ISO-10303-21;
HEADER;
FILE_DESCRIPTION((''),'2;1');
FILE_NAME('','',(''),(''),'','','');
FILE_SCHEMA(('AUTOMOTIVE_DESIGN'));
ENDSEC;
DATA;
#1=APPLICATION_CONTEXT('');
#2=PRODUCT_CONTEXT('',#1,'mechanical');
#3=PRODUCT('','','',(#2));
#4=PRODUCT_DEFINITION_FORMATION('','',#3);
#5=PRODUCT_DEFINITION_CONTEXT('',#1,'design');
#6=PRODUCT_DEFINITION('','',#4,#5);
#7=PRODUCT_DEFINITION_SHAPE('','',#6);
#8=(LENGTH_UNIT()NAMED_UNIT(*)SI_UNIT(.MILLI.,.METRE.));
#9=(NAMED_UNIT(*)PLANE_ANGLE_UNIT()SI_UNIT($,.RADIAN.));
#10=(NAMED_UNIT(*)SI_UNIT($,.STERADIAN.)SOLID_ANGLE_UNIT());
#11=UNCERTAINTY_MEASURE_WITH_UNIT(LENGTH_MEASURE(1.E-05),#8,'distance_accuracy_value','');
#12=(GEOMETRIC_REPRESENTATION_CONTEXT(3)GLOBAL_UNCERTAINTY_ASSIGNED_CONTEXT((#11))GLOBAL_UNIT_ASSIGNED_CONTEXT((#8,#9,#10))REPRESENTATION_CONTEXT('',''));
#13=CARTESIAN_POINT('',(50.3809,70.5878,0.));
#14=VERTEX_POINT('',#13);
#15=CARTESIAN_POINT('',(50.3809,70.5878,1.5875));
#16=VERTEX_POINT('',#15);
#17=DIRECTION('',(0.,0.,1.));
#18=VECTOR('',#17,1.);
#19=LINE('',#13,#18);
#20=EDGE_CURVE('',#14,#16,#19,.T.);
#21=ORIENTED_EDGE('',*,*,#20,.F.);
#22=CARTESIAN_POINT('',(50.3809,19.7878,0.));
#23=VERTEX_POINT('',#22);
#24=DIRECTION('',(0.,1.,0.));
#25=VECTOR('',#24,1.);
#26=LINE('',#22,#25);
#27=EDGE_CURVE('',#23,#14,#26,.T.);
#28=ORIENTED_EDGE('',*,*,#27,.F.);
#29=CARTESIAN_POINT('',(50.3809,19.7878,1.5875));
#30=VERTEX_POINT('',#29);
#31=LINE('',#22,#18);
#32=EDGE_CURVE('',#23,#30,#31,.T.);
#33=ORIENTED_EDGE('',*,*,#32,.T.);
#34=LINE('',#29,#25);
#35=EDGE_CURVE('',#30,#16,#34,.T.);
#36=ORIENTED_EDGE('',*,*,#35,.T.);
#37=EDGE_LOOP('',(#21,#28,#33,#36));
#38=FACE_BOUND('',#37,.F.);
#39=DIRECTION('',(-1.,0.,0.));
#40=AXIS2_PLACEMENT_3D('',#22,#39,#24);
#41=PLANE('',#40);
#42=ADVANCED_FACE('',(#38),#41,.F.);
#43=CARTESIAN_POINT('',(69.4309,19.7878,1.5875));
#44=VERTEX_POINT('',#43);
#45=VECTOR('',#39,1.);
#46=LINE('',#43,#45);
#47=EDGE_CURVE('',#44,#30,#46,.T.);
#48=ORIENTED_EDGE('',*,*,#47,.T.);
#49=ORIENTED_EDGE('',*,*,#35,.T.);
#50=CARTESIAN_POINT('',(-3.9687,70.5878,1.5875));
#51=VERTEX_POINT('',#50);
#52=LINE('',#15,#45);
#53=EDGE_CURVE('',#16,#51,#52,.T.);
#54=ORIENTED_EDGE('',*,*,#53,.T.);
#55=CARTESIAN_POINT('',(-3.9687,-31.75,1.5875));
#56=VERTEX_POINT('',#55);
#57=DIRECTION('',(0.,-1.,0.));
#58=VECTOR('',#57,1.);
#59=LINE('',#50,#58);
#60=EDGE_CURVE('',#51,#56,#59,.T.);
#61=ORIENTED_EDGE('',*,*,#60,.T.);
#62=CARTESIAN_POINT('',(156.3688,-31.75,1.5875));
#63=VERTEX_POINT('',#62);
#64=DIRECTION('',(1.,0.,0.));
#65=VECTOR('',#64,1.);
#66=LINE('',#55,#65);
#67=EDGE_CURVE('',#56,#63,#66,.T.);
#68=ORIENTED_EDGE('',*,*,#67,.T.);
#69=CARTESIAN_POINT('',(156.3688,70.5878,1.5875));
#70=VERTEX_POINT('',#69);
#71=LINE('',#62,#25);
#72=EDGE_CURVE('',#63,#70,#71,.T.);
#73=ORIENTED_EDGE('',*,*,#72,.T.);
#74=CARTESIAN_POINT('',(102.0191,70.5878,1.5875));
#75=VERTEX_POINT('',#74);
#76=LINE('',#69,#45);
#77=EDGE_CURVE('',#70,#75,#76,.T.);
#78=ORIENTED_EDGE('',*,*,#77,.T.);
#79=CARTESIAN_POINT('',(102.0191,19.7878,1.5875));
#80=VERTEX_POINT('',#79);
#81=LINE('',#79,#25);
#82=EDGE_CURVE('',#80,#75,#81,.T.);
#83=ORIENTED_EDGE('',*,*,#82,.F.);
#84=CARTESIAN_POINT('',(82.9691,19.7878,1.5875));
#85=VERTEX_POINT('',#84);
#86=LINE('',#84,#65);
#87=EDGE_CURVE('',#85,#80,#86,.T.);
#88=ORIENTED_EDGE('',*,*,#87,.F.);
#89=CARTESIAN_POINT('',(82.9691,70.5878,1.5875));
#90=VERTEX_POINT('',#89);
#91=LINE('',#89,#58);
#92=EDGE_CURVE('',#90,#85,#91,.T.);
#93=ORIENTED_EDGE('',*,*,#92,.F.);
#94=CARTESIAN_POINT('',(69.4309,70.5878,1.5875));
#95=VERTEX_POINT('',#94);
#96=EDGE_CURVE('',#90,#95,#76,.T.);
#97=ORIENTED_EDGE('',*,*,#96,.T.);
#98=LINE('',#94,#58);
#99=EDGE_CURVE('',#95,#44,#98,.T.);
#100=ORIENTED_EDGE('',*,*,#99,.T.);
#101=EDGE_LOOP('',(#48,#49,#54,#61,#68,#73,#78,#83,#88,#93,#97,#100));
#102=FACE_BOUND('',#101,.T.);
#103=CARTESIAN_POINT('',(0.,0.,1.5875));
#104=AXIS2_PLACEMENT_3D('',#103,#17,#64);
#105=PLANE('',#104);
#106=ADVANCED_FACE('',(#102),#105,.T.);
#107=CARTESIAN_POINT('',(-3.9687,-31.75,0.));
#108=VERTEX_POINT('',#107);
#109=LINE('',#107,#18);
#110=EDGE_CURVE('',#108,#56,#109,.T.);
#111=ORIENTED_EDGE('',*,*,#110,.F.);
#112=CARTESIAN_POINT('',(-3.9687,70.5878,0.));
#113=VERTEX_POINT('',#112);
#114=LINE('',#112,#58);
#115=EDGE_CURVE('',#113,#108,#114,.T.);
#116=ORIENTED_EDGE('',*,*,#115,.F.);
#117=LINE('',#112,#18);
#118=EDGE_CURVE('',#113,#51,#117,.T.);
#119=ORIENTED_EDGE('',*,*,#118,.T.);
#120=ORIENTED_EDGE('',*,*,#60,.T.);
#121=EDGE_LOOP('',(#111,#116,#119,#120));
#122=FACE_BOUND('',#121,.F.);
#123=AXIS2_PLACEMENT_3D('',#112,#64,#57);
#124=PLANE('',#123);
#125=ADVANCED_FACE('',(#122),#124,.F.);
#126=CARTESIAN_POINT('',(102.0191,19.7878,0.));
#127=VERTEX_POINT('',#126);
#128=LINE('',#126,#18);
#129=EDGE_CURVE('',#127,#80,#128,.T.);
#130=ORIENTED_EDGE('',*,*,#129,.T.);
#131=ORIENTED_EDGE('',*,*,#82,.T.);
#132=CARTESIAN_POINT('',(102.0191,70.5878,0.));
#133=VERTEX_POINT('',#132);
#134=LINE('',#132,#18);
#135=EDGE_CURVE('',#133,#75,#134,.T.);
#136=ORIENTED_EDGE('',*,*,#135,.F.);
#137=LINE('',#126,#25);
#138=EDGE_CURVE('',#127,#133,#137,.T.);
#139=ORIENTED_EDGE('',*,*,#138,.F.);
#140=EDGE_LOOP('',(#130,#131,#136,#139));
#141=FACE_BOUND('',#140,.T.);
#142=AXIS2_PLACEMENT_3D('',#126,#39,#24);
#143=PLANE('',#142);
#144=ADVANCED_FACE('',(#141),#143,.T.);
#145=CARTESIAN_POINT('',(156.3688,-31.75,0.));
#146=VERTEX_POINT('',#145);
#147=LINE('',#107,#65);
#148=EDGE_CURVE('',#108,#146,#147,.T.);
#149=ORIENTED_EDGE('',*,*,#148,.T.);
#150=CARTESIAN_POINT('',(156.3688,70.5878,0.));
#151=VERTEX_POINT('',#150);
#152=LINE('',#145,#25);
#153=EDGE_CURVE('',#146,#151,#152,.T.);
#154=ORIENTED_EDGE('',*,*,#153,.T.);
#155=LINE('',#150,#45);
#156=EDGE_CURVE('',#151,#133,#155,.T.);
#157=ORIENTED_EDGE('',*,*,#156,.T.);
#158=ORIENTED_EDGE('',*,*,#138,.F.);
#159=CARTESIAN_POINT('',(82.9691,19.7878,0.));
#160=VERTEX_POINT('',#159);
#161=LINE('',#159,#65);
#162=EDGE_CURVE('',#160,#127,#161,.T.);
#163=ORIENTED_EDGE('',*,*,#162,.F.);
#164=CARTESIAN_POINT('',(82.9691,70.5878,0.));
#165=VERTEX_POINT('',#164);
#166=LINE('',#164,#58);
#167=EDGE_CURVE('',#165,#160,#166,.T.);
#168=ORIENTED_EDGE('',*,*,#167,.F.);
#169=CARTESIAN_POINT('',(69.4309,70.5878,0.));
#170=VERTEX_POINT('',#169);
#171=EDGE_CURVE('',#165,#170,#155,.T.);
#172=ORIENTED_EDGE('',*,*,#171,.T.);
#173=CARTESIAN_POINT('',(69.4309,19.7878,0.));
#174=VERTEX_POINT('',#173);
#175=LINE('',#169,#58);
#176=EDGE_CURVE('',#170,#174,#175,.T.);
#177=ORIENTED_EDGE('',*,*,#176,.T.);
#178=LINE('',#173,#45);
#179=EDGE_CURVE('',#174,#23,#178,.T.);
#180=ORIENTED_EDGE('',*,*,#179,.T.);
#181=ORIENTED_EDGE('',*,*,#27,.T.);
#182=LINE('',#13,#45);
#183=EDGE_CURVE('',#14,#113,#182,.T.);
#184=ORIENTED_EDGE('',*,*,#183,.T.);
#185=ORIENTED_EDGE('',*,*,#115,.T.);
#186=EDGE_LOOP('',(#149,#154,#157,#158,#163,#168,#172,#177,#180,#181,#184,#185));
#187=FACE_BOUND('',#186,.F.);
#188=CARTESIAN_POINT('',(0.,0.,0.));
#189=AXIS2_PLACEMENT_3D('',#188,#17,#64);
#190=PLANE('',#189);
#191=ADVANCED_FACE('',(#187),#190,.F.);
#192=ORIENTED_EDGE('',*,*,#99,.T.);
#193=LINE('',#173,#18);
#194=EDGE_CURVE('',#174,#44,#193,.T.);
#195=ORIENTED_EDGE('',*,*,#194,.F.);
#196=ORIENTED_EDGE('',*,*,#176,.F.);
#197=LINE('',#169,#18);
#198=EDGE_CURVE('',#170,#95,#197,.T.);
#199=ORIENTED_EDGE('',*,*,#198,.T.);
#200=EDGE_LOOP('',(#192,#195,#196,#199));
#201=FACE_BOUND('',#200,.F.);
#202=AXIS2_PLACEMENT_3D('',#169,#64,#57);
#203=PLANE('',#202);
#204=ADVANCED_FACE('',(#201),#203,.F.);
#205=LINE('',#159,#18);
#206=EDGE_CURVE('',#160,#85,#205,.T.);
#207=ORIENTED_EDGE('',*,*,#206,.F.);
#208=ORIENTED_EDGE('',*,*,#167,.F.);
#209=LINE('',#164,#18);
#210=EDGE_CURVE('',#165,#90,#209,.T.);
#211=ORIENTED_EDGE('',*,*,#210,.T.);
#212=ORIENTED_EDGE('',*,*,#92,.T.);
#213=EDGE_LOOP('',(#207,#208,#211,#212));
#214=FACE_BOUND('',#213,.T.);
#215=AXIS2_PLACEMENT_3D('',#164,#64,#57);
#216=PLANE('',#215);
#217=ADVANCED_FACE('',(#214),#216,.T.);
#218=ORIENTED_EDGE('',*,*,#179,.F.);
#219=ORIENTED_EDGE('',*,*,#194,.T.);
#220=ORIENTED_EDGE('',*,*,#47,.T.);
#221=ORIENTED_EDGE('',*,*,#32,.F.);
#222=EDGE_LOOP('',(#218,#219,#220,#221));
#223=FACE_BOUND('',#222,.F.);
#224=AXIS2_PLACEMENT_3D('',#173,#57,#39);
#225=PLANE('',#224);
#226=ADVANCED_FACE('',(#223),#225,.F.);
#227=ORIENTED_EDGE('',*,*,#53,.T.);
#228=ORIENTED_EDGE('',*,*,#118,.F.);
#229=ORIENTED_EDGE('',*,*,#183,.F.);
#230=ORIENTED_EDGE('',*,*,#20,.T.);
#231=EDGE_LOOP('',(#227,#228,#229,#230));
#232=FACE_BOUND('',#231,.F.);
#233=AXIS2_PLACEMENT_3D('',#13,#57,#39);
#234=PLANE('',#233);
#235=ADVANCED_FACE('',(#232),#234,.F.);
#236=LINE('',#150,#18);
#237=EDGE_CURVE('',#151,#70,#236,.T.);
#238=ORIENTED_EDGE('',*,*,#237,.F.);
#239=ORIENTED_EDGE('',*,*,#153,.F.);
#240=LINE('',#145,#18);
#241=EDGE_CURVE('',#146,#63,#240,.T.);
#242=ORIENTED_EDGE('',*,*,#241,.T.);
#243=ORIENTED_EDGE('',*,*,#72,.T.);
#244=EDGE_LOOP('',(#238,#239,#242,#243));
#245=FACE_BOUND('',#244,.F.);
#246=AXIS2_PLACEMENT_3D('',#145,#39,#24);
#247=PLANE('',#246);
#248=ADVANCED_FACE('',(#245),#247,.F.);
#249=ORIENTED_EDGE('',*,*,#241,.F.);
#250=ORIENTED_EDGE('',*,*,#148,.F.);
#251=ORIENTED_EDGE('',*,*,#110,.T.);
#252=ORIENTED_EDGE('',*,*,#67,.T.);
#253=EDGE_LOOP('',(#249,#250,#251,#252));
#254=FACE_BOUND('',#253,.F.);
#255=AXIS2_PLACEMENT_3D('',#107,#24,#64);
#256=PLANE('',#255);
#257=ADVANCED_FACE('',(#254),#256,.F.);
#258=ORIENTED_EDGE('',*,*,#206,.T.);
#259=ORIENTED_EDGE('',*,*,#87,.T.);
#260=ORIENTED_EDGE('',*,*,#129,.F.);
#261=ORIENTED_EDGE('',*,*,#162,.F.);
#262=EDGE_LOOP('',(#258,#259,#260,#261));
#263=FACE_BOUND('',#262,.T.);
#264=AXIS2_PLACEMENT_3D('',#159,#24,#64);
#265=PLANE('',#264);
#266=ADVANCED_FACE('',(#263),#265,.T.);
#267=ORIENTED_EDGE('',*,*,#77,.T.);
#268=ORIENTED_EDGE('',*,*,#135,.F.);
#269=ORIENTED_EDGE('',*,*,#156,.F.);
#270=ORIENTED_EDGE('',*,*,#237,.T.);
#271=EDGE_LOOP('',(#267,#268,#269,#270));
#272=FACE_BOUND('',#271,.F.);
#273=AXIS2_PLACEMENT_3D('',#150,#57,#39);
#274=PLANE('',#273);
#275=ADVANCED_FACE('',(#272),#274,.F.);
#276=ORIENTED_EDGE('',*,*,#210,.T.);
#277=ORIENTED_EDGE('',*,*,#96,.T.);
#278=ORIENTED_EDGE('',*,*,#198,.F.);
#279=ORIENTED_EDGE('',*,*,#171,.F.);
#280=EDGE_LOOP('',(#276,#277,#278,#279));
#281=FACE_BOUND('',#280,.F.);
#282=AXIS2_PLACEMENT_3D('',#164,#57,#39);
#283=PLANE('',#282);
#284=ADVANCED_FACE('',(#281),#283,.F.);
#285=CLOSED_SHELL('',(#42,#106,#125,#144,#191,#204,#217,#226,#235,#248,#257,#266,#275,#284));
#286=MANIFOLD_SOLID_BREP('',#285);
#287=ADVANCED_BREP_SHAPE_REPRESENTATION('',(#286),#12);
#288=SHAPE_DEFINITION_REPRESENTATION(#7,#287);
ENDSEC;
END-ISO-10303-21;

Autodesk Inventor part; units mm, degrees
ref_plane "YZ Plane" through (0, 0, 0) normal (1, 0, 0) x (0, 1, 0)
ref_plane "XZ Plane" through (0, 0, 0) normal (0, 1, 0) x (-1, 0, 0)
ref_plane "XY Plane" through (0, 0, 0) normal (0, 0, 1) x (1, 0, 0)
sketch "Sketch1" plane through (0, 0, 0) normal (0, 0, 1) x (1, 0, 0)
  line L0 (-3.9687, 31.75) -> (-3.9687, -30.5843) construction
  line L1 (-2.8031, -31.75) -> (4.318, -31.75) construction
  line L2 (155.2031, -31.75) -> (148.082, -31.75) construction
  line L3 (156.3688, -30.5843) -> (156.3688, 31.75) construction
  line L4 (-6.35, 92.8585) -> (55.9843, 92.8585) construction
  line L5 (-3.9687, -31.75) -> (156.3688, -31.75)
  line L6 (156.3688, -31.75) -> (156.3688, 70.5878)
  line L7 (-3.9687, 70.5878) -> (-3.9687, -31.75)
  line L8 (102.0191, 70.5878) -> (82.9691, 70.5878)
  line L9 (82.9691, 70.5878) -> (82.9691, 19.7878)
  line L10 (82.9691, 19.7878) -> (102.0191, 19.7878)
  line L11 (102.0191, 19.7878) -> (102.0191, 70.5878)
  line L12 (50.3809, 70.5878) -> (69.4309, 70.5878)
  line L13 (69.4309, 70.5878) -> (69.4309, 19.7878)
  line L14 (69.4309, 19.7878) -> (50.3809, 19.7878)
  line L15 (50.3809, 19.7878) -> (50.3809, 70.5878)
  line L16 (156.3688, 70.5878) -> (69.4309, 70.5878)
  line L17 (50.3809, 70.5878) -> (-3.9687, 70.5878)
  point P0 (0, 0)
  dimension "d4" = 19.05
  dimension "d5" = 50.8
  dimension "d6" = 19.05
  dimension "d7" = 50.8
extrude "Extrusion1" add sketch "Sketch1" along normal blind 1.5875 contours L7 L17 L15 L14 L13 L16 L9 L10 L11 L6 L5
properties part number "Toaster polycarb" material "Polycarbonate, Clear"
